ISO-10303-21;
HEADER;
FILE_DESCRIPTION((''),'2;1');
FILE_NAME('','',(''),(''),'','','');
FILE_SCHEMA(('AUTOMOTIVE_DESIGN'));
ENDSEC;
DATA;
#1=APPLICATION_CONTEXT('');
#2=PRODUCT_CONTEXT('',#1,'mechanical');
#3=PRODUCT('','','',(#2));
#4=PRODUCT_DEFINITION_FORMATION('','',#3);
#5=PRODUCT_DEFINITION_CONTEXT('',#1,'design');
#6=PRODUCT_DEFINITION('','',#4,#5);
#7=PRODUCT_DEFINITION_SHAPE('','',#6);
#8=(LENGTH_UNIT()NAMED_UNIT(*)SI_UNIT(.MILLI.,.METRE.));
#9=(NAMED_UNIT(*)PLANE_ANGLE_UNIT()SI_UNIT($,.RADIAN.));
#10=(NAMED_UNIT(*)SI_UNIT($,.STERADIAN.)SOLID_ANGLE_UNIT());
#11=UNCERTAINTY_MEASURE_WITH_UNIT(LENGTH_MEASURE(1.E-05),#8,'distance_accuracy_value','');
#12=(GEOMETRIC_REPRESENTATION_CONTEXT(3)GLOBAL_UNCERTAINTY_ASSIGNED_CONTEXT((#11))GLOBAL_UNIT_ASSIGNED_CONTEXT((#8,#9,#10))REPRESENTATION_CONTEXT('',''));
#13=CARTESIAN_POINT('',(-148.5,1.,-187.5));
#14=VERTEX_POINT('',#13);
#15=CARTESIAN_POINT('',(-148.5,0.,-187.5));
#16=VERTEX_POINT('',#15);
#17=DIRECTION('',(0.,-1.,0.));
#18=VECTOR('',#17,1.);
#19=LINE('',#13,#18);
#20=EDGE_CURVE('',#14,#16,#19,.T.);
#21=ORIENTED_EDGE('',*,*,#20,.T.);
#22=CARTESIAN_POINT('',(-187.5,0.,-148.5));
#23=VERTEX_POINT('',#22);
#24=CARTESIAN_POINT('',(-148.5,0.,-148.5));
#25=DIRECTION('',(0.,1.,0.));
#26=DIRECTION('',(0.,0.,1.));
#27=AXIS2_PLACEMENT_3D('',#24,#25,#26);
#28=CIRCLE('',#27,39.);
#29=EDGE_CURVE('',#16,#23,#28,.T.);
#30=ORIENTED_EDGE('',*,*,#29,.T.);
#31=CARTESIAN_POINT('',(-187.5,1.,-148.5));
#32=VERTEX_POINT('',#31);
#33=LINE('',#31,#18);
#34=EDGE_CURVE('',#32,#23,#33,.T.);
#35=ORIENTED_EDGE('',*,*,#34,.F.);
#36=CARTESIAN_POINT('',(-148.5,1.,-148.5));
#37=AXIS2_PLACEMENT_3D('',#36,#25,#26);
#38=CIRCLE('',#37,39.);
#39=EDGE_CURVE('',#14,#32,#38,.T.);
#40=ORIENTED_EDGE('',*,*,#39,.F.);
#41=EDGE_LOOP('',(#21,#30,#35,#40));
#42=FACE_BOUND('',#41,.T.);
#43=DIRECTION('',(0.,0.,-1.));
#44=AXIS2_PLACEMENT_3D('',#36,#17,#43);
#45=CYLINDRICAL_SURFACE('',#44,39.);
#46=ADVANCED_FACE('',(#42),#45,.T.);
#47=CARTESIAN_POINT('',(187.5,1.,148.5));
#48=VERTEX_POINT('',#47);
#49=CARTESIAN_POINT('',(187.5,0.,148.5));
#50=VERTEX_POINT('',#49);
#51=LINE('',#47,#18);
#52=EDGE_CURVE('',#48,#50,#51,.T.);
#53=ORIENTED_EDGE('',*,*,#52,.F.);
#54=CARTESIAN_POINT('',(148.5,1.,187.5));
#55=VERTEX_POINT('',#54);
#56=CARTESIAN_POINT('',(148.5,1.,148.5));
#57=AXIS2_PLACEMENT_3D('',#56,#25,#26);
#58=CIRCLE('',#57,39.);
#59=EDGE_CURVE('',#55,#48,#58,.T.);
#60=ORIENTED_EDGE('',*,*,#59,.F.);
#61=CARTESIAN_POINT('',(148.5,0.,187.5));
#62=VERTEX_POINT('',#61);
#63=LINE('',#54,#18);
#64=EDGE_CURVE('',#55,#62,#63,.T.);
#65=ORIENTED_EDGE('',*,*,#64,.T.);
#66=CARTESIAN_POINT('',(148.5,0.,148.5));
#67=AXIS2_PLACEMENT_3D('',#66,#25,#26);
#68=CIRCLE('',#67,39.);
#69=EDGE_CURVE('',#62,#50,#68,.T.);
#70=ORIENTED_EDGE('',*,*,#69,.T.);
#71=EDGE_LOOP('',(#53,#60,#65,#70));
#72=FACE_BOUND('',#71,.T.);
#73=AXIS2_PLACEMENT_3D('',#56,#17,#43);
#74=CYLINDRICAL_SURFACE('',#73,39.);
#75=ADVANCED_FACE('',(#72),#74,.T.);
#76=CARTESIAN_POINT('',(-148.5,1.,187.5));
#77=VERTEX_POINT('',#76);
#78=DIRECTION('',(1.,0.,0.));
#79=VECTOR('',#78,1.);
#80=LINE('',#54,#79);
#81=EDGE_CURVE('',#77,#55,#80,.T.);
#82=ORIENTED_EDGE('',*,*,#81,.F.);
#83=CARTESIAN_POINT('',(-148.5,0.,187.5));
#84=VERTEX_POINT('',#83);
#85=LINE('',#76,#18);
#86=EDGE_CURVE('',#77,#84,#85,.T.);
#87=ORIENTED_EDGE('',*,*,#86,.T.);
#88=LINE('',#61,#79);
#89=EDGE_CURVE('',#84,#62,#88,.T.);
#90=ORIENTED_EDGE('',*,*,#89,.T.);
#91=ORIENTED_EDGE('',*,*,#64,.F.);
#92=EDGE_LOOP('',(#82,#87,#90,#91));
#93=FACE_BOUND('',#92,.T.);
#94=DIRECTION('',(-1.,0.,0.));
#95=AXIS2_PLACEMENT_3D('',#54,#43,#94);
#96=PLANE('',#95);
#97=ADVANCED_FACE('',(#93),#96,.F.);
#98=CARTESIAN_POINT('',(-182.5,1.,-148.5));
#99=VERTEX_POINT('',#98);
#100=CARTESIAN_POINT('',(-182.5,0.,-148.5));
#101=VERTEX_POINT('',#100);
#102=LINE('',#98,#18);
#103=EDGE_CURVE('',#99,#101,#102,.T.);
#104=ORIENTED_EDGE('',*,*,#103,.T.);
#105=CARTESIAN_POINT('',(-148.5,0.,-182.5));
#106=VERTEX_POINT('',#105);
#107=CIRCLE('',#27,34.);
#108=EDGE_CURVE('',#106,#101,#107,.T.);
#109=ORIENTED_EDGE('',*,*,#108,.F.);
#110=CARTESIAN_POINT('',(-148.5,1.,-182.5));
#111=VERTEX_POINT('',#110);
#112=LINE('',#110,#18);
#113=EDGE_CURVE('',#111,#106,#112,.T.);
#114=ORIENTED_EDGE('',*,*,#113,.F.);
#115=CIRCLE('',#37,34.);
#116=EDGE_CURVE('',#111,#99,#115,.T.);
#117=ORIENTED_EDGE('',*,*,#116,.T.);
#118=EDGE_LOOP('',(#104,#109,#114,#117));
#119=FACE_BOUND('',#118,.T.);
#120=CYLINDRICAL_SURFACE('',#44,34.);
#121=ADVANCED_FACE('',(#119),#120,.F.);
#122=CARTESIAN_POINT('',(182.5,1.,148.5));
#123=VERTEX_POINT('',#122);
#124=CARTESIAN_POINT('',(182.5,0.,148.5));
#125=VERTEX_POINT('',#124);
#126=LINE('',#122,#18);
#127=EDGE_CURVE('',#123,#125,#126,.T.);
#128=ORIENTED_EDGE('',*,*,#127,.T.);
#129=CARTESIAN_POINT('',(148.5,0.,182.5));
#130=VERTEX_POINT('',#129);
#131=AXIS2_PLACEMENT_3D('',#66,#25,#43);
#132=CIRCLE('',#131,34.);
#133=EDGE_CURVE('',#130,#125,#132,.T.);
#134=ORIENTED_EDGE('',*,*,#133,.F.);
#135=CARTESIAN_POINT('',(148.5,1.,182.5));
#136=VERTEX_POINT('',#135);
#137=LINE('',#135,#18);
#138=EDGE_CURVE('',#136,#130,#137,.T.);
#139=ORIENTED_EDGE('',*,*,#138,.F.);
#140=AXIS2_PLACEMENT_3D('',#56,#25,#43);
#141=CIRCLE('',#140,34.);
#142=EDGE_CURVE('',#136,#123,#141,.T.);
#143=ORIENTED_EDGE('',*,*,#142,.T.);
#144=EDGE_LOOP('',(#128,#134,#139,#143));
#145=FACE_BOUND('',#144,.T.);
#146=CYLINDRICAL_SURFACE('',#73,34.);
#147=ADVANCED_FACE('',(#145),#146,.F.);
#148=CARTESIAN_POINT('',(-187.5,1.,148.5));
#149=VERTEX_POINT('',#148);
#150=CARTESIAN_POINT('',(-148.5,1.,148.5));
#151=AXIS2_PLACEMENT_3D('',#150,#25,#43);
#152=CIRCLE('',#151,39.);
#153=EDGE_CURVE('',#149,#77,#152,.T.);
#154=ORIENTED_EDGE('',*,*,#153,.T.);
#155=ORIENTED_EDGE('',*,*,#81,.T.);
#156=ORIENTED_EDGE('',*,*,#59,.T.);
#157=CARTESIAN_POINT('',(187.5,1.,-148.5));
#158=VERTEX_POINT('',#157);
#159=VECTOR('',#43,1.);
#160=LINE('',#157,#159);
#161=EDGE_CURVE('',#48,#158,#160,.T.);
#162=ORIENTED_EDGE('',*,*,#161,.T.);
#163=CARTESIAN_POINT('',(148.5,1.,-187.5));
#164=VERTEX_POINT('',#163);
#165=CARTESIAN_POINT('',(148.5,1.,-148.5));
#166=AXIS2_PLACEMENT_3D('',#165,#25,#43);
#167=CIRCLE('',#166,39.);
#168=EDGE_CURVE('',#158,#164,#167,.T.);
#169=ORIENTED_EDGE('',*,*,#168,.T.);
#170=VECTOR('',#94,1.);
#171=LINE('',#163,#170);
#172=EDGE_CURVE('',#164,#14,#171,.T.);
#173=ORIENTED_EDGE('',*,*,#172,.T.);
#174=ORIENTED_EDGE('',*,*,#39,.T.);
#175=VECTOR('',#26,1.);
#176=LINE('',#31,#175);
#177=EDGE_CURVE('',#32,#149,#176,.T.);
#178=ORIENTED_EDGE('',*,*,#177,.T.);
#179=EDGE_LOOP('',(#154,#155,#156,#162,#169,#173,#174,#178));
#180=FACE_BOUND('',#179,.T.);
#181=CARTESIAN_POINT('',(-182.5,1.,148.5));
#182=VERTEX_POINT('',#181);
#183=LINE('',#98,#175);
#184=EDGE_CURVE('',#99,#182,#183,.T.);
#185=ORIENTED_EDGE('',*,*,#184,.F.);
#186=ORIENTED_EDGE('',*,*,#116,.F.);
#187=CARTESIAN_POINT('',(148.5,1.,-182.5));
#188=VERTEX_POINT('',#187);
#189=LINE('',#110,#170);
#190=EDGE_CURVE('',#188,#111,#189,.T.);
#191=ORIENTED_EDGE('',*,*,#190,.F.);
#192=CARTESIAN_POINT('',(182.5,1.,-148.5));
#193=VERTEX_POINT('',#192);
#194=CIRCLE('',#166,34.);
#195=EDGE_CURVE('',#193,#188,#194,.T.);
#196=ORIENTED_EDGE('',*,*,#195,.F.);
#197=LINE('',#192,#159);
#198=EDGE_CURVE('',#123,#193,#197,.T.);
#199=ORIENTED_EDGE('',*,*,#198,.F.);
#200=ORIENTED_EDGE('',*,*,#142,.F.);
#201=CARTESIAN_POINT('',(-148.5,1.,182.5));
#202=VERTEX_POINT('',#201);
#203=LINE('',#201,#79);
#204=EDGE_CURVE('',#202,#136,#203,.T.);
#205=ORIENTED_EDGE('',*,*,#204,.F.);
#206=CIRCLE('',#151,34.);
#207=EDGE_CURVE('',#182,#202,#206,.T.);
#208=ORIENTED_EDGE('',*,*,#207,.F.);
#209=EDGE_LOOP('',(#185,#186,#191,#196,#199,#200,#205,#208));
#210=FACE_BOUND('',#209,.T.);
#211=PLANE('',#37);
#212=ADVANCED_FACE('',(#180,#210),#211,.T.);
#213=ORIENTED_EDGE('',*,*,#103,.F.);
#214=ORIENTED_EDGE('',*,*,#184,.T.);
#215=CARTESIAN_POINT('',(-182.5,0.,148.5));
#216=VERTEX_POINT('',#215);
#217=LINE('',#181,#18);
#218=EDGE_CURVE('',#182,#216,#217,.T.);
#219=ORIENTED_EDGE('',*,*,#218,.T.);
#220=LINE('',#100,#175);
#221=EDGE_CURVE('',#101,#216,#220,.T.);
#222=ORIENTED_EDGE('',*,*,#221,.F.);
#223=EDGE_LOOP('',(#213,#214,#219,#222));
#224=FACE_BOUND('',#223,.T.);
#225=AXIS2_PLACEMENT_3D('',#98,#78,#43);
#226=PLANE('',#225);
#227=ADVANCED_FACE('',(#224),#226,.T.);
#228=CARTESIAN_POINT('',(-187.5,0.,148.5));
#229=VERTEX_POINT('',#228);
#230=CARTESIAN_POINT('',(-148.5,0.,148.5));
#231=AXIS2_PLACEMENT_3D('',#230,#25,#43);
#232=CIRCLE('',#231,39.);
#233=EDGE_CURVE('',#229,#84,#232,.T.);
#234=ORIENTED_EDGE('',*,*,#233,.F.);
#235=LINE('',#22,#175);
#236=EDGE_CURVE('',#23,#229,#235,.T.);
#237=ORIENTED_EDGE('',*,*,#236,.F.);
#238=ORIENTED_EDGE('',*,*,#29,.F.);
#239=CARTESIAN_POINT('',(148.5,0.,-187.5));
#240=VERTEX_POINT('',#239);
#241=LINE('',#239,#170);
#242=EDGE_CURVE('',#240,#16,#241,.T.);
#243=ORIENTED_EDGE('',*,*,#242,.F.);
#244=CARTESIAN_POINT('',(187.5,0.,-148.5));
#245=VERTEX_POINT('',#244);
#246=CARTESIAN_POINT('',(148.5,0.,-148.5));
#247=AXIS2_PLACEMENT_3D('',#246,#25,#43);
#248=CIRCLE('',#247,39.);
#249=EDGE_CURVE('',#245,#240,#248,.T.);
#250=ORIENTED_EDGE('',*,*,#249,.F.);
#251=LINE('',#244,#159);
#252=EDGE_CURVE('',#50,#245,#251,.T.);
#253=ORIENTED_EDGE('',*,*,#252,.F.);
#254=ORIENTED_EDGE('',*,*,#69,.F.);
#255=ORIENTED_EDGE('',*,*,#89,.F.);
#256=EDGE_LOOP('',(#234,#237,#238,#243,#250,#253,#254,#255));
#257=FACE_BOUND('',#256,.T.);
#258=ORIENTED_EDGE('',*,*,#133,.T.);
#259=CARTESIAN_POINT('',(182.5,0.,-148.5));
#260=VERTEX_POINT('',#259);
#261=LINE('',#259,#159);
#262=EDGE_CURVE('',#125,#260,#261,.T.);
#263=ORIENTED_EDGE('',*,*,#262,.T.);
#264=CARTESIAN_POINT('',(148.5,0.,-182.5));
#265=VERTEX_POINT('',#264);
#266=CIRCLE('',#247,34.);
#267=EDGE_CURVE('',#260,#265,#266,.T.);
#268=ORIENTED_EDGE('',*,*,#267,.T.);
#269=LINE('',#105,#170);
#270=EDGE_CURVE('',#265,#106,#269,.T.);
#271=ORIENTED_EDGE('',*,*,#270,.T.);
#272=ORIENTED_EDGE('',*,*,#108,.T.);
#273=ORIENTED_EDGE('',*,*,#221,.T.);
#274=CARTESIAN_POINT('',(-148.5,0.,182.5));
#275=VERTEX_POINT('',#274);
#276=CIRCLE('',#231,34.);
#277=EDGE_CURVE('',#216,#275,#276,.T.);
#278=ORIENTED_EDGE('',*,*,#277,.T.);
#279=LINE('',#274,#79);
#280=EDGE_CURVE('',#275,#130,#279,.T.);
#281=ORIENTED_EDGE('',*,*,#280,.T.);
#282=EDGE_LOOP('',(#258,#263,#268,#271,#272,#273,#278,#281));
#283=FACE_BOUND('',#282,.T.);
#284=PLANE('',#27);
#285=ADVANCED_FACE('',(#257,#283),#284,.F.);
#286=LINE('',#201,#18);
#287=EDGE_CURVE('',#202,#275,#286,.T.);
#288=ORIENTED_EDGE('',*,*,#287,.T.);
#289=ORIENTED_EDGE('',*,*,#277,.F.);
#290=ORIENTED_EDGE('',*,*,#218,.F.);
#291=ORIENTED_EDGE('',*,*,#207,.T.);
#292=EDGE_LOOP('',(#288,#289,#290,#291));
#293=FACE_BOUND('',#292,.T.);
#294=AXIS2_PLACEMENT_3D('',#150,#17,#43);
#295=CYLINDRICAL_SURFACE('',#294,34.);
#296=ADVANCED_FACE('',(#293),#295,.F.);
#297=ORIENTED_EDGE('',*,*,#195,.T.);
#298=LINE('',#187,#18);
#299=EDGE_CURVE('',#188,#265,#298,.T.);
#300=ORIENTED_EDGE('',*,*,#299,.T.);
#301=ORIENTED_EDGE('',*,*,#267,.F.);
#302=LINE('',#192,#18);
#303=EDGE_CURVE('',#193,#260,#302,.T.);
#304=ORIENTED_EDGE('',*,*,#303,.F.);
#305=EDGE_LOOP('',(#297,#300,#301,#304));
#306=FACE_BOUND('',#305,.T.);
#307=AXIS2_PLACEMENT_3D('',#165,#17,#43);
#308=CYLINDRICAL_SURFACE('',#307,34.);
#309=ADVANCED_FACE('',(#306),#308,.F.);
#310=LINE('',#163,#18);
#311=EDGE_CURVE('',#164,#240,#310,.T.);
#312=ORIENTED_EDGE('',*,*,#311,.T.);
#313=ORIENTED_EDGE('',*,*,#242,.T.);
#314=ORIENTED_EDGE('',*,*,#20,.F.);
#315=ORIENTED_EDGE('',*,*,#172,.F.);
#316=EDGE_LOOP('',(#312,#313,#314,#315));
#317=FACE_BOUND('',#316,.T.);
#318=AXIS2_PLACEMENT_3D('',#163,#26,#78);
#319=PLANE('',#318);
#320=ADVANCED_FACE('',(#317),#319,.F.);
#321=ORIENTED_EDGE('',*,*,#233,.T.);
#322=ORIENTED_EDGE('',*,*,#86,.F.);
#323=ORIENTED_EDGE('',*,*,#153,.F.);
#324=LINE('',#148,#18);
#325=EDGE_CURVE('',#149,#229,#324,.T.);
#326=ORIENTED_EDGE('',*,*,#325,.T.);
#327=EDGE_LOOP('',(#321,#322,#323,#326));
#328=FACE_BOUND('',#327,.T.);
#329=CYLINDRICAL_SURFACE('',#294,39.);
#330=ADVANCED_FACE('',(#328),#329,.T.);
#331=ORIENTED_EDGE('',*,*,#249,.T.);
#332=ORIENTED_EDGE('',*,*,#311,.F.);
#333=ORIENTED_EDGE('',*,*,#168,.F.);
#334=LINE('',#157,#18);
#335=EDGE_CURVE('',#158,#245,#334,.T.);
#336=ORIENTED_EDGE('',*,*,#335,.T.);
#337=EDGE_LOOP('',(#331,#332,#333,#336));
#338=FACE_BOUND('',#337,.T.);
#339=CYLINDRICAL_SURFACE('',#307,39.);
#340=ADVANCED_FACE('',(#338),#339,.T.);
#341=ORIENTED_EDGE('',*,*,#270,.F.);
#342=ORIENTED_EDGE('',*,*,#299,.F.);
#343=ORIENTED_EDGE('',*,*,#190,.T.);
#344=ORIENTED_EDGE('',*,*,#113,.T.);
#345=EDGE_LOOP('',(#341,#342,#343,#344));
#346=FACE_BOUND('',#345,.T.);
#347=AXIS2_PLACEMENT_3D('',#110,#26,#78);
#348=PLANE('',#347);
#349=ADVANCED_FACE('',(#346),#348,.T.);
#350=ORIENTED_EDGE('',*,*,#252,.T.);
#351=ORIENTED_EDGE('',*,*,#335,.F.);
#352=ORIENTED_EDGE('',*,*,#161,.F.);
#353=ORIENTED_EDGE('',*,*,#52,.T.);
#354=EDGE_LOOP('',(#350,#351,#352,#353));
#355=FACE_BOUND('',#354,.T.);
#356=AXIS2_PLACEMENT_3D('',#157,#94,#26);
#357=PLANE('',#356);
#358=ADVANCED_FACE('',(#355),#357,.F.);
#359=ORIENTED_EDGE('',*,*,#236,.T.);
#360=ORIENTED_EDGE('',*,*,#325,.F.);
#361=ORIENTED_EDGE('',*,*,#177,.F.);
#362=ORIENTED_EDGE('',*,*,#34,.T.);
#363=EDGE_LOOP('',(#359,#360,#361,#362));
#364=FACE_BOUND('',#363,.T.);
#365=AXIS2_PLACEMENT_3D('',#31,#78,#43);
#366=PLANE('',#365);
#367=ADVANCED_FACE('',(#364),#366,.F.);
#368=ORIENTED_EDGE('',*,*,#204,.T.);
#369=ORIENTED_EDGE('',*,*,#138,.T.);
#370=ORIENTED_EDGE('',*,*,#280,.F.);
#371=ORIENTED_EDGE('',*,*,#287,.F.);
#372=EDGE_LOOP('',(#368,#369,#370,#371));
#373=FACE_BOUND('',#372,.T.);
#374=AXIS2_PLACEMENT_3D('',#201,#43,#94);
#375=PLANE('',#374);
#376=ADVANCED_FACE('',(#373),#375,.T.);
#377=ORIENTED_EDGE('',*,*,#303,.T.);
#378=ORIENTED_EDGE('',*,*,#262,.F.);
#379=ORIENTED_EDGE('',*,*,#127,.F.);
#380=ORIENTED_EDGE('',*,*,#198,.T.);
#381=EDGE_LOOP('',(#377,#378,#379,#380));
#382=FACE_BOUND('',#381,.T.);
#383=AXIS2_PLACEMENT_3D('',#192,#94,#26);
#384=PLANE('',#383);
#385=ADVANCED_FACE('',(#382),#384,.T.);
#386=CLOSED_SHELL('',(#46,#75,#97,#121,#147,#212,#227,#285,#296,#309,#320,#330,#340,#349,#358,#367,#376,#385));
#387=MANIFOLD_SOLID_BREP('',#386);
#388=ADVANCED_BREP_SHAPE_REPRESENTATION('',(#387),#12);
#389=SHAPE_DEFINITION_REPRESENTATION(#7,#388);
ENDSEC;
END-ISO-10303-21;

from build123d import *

# Parameters (mm, degrees)
BOSS_EXTRUDE1_DEPTH = 1


with BuildPart() as part:
    # Sketch1 → Boss-Extrude1 (new body)
    with BuildSketch(Plane(origin=(0, 0, 0), x_dir=(1, 0, 0), z_dir=(0, 1, 0))):
        with BuildLine():
            Line((187.5, 148.5), (187.5, -148.5))
            ThreePointArc((187.5, -148.5), (176.077164466, -176.077164466), (148.5, -187.5))
            Line((148.5, -187.5), (-148.5, -187.5))
            ThreePointArc((-148.5, -187.5), (-176.077164466, -176.077164466), (-187.5, -148.5))
            Line((-187.5, -148.5), (-187.5, 148.5))
            ThreePointArc((-187.5, 148.5), (-176.077164466, 176.077164466), (-148.5, 187.5))
            Line((-148.5, 187.5), (148.5, 187.5))
            ThreePointArc((148.5, 187.5), (176.077164466, 176.077164466), (187.5, 148.5))
        make_face()
        with BuildLine():
            Line((-148.5, 182.5), (148.5, 182.5))
            ThreePointArc((148.5, 182.5), (172.54163056, 172.54163056), (182.5, 148.5))
            Line((182.5, 148.5), (182.5, -148.5))
            ThreePointArc((182.5, -148.5), (172.54163056, -172.54163056), (148.5, -182.5))
            Line((148.5, -182.5), (-148.5, -182.5))
            ThreePointArc((-148.5, -182.5), (-172.54163056, -172.54163056), (-182.5, -148.5))
            Line((-182.5, -148.5), (-182.5, 148.5))
            ThreePointArc((-182.5, 148.5), (-172.54163056, 172.54163056), (-148.5, 182.5))
        make_face(mode=Mode.SUBTRACT)
    extrude(amount=BOSS_EXTRUDE1_DEPTH)


solid = part.part
